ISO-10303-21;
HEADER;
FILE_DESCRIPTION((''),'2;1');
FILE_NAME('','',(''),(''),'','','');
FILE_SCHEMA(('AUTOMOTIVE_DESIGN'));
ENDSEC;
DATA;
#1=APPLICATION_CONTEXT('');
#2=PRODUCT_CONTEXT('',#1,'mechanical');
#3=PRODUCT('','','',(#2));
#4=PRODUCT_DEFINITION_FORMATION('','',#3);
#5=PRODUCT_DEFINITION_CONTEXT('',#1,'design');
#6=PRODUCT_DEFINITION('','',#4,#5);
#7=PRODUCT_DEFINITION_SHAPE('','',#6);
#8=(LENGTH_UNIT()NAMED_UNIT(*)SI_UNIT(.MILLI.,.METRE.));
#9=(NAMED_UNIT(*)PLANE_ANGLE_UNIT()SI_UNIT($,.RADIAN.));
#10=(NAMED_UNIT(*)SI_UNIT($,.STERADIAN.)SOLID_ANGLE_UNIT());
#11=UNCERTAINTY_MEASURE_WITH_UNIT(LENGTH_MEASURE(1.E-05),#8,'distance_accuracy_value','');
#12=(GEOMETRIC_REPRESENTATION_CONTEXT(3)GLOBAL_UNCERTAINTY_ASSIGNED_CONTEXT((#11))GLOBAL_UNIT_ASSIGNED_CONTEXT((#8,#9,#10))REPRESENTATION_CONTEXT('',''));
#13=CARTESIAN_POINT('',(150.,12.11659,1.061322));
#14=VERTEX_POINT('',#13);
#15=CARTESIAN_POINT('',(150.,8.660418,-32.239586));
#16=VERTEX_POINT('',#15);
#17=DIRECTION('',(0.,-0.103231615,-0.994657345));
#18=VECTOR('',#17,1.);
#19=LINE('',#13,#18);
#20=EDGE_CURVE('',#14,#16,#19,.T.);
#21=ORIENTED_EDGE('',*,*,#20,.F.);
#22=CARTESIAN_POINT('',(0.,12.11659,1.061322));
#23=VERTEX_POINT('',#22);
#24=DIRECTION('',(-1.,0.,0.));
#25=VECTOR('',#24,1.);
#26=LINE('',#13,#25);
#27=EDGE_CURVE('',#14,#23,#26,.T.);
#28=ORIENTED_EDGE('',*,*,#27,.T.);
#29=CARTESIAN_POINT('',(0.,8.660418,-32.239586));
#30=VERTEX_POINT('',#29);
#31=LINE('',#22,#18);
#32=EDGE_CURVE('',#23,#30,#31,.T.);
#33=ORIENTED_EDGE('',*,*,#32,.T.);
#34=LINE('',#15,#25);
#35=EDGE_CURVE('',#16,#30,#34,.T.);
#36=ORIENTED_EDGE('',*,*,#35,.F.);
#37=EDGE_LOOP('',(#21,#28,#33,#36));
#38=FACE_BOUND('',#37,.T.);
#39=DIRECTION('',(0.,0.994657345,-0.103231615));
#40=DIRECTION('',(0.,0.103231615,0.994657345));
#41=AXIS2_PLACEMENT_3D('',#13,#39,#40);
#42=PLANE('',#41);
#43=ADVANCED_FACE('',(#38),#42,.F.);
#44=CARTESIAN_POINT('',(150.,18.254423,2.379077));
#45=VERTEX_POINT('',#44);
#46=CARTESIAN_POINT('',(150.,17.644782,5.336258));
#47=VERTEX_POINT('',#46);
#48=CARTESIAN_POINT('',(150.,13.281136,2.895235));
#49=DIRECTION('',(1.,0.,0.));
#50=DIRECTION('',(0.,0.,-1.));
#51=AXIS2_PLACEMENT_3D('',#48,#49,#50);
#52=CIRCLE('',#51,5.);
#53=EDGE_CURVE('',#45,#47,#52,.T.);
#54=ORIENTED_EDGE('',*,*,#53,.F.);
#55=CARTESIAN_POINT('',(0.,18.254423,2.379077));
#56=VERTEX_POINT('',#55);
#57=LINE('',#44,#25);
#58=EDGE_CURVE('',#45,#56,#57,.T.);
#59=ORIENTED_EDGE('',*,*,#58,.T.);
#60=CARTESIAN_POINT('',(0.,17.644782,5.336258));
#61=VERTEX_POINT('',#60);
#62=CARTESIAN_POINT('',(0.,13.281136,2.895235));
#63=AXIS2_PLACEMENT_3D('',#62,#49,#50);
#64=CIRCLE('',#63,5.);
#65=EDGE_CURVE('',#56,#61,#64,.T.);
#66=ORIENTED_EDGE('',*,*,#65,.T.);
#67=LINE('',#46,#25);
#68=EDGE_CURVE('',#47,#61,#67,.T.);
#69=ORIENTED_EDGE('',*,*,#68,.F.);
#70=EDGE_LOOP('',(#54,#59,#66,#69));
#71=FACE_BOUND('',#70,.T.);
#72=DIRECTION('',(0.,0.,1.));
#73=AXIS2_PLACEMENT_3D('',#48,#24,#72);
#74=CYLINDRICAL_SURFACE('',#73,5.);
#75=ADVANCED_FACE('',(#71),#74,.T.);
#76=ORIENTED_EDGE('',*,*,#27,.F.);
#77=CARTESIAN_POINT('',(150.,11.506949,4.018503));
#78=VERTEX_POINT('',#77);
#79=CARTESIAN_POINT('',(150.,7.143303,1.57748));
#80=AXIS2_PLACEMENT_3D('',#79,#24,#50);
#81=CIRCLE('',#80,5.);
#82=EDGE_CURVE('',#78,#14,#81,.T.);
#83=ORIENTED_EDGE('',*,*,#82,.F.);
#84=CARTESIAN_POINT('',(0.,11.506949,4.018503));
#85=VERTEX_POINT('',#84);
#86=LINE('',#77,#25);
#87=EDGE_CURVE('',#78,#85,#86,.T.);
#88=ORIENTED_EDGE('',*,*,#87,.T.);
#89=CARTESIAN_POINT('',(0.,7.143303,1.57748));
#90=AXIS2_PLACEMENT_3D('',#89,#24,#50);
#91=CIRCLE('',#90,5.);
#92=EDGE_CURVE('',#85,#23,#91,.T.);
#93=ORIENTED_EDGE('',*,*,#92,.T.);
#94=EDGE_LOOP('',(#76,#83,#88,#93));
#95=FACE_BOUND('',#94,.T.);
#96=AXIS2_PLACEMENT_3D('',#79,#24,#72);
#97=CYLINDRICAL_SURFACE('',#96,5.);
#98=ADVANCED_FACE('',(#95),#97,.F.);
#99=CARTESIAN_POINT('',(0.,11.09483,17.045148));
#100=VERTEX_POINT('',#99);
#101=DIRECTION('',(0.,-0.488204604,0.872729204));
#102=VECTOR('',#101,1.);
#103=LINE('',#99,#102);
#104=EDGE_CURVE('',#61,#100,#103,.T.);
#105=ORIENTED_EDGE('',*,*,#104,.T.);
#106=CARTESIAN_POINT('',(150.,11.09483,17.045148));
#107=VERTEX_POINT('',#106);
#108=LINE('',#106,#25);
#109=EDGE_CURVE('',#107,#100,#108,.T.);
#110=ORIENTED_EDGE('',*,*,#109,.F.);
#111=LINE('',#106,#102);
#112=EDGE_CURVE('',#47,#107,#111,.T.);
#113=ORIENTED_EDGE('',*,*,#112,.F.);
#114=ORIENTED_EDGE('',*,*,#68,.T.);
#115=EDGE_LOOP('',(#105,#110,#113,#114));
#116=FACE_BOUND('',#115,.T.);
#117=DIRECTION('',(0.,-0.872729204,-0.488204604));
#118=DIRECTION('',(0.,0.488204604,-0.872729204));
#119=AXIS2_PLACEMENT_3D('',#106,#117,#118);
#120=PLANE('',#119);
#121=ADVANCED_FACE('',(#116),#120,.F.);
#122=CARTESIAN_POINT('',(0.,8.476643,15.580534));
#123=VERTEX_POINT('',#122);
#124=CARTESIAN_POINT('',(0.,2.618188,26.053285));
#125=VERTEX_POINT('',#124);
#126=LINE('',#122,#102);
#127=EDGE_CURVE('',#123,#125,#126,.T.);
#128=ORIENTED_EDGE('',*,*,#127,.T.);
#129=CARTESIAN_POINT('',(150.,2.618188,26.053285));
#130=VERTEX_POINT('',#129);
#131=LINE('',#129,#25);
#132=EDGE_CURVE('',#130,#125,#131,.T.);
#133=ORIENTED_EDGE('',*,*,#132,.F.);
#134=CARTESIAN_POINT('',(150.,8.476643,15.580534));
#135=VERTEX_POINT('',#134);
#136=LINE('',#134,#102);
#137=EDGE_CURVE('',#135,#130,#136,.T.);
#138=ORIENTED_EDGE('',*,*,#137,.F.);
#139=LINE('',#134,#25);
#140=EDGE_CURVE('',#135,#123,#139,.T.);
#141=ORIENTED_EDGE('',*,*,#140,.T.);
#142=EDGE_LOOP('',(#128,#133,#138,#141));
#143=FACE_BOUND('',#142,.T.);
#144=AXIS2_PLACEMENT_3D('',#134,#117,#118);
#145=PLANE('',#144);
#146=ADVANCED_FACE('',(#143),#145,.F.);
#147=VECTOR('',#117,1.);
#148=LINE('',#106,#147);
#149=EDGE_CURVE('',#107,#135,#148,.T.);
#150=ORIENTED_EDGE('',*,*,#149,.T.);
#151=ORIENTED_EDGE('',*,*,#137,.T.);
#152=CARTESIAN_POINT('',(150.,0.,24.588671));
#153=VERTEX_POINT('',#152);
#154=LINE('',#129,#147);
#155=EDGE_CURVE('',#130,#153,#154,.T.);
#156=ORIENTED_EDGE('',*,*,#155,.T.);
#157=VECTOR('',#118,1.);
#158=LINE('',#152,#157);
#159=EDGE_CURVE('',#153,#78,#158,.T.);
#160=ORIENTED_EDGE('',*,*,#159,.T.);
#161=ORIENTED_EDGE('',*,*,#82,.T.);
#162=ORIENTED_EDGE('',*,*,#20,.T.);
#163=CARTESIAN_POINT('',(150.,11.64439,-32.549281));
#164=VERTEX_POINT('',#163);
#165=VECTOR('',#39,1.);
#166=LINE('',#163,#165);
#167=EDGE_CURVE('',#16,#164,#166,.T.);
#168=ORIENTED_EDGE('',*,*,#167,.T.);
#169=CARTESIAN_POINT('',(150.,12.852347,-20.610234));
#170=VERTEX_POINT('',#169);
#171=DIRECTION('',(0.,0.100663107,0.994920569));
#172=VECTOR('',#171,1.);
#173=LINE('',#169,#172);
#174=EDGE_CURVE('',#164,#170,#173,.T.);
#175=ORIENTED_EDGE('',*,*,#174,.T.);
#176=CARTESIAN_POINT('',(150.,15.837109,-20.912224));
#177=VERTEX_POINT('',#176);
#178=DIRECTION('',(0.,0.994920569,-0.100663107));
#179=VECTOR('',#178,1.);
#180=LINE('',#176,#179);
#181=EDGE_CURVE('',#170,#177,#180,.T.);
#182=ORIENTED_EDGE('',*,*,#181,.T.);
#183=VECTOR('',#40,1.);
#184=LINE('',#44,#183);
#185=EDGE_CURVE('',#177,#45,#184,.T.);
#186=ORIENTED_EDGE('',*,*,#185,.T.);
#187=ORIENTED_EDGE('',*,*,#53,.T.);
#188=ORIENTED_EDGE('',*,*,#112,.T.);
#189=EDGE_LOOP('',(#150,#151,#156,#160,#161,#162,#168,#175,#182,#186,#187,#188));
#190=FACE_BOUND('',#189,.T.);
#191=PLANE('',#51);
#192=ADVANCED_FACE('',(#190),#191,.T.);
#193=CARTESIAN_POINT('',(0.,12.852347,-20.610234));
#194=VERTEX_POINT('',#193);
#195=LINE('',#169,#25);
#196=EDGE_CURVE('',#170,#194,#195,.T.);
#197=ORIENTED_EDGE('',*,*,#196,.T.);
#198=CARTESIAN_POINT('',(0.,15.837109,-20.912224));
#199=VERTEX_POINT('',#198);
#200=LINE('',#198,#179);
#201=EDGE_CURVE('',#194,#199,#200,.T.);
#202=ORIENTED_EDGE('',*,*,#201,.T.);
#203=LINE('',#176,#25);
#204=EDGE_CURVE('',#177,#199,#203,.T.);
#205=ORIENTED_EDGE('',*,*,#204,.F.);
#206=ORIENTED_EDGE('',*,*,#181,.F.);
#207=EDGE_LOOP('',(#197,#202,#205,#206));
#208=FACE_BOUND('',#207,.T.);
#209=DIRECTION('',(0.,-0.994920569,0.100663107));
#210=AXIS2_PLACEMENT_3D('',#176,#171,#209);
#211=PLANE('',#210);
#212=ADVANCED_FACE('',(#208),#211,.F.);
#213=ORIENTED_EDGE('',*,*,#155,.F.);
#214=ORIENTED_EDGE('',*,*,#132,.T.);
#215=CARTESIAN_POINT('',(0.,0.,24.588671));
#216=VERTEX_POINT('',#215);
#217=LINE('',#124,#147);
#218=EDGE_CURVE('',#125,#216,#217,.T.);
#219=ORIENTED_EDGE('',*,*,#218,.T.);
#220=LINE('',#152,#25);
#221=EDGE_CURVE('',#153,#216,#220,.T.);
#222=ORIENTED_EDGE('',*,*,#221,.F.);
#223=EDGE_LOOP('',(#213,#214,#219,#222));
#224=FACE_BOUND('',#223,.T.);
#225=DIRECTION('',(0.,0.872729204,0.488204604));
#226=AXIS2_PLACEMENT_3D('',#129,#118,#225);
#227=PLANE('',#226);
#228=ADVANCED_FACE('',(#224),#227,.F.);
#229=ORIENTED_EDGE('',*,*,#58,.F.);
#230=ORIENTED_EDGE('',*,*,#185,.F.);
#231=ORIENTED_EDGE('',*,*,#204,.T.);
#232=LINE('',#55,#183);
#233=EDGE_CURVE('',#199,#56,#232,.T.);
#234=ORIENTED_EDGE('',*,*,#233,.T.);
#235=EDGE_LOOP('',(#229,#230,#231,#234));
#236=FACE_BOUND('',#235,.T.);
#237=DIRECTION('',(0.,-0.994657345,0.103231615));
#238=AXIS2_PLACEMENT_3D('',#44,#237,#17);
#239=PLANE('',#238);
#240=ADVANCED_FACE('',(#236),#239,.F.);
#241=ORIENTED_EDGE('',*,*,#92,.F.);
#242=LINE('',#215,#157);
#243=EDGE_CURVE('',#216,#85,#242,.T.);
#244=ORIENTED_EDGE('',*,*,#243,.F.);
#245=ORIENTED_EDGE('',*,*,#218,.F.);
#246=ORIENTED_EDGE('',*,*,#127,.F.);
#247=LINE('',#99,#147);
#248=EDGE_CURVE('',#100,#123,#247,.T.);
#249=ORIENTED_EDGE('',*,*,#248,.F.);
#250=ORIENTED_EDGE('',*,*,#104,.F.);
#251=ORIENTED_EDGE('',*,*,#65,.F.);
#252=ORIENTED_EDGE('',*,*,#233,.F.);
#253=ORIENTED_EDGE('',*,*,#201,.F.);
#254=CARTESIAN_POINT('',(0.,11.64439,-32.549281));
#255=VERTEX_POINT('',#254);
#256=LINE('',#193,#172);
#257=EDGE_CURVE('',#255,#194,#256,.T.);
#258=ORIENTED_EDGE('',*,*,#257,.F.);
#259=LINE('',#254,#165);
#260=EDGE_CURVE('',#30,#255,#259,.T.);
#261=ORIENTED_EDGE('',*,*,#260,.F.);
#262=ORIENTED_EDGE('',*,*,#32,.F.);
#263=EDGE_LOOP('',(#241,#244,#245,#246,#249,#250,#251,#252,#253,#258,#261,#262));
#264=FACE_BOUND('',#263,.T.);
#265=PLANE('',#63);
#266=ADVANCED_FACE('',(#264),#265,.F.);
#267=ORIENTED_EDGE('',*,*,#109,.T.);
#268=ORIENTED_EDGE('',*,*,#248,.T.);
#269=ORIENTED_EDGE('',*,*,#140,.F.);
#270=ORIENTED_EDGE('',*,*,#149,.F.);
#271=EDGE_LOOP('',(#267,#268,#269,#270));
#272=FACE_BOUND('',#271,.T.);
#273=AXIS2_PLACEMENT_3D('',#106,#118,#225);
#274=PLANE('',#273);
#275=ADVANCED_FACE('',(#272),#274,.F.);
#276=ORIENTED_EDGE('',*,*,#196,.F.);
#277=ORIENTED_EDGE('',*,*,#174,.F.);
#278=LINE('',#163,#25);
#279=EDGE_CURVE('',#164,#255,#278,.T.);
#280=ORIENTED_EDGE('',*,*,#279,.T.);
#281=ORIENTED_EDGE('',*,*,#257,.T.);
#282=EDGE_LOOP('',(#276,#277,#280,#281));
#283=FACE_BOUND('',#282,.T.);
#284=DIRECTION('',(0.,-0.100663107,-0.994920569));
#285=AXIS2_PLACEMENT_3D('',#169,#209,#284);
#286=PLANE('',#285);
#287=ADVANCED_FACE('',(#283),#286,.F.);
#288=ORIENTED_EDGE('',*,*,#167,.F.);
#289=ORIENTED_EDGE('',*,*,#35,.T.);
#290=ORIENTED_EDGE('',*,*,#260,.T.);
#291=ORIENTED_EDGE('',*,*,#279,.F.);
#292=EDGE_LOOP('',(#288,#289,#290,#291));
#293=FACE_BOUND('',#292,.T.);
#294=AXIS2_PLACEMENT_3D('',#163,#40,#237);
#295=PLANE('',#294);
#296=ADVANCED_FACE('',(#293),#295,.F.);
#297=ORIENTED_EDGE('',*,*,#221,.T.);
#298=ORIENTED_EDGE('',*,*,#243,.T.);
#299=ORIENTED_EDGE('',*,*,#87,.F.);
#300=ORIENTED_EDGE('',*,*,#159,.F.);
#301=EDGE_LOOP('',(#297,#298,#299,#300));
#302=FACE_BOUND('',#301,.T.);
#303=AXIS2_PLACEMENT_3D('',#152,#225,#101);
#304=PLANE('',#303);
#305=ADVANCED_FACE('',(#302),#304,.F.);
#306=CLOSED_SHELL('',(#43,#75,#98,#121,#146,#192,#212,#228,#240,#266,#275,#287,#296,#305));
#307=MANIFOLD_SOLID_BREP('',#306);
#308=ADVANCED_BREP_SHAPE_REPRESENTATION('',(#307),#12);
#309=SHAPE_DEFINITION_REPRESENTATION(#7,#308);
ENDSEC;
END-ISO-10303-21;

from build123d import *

# Parameters (mm, degrees)
BOSS_EXTRUDE1_DEPTH = 150


with BuildPart() as part:
    # Sketch1 → Boss-Extrude1 (new body)
    with BuildSketch(Plane(origin=(0, 0, 0), x_dir=(0, 0, -1), z_dir=(1, 0, 0))):
        with BuildLine():
            Line((-17.045147988, 11.09483048), (-15.580534174, 8.476642867))
            Line((-15.580534174, 8.476642867), (-26.053284627, 2.618187613))
            Line((-26.053284627, 2.618187613), (-24.588670814, 0))
            Line((-24.588670814, 0), (-4.018503161, 11.506949134))
            ThreePointArc((-4.018503161, 11.506949134), (-2.587030391, 12.04032346), (-1.061322063, 12.116589836))
            Line((-1.061322063, 12.116589836), (32.239586361, 8.66041814))
            Line((32.239586361, 8.66041814), (32.549281207, 11.644390175))
            Line((32.549281207, 11.644390175), (20.610234377, 12.852347461))
            Line((20.610234377, 12.852347461), (20.912223699, 15.837109168))
            Line((20.912223699, 15.837109168), (-2.379077071, 18.254422638))
            ThreePointArc((-2.379077071, 18.254422638), (-3.904785399, 18.178156261), (-5.336258169, 17.644781935))
            Line((-5.336258169, 17.644781935), (-17.045147988, 11.09483048))
        make_face()
    extrude(amount=BOSS_EXTRUDE1_DEPTH)


solid = part.part
